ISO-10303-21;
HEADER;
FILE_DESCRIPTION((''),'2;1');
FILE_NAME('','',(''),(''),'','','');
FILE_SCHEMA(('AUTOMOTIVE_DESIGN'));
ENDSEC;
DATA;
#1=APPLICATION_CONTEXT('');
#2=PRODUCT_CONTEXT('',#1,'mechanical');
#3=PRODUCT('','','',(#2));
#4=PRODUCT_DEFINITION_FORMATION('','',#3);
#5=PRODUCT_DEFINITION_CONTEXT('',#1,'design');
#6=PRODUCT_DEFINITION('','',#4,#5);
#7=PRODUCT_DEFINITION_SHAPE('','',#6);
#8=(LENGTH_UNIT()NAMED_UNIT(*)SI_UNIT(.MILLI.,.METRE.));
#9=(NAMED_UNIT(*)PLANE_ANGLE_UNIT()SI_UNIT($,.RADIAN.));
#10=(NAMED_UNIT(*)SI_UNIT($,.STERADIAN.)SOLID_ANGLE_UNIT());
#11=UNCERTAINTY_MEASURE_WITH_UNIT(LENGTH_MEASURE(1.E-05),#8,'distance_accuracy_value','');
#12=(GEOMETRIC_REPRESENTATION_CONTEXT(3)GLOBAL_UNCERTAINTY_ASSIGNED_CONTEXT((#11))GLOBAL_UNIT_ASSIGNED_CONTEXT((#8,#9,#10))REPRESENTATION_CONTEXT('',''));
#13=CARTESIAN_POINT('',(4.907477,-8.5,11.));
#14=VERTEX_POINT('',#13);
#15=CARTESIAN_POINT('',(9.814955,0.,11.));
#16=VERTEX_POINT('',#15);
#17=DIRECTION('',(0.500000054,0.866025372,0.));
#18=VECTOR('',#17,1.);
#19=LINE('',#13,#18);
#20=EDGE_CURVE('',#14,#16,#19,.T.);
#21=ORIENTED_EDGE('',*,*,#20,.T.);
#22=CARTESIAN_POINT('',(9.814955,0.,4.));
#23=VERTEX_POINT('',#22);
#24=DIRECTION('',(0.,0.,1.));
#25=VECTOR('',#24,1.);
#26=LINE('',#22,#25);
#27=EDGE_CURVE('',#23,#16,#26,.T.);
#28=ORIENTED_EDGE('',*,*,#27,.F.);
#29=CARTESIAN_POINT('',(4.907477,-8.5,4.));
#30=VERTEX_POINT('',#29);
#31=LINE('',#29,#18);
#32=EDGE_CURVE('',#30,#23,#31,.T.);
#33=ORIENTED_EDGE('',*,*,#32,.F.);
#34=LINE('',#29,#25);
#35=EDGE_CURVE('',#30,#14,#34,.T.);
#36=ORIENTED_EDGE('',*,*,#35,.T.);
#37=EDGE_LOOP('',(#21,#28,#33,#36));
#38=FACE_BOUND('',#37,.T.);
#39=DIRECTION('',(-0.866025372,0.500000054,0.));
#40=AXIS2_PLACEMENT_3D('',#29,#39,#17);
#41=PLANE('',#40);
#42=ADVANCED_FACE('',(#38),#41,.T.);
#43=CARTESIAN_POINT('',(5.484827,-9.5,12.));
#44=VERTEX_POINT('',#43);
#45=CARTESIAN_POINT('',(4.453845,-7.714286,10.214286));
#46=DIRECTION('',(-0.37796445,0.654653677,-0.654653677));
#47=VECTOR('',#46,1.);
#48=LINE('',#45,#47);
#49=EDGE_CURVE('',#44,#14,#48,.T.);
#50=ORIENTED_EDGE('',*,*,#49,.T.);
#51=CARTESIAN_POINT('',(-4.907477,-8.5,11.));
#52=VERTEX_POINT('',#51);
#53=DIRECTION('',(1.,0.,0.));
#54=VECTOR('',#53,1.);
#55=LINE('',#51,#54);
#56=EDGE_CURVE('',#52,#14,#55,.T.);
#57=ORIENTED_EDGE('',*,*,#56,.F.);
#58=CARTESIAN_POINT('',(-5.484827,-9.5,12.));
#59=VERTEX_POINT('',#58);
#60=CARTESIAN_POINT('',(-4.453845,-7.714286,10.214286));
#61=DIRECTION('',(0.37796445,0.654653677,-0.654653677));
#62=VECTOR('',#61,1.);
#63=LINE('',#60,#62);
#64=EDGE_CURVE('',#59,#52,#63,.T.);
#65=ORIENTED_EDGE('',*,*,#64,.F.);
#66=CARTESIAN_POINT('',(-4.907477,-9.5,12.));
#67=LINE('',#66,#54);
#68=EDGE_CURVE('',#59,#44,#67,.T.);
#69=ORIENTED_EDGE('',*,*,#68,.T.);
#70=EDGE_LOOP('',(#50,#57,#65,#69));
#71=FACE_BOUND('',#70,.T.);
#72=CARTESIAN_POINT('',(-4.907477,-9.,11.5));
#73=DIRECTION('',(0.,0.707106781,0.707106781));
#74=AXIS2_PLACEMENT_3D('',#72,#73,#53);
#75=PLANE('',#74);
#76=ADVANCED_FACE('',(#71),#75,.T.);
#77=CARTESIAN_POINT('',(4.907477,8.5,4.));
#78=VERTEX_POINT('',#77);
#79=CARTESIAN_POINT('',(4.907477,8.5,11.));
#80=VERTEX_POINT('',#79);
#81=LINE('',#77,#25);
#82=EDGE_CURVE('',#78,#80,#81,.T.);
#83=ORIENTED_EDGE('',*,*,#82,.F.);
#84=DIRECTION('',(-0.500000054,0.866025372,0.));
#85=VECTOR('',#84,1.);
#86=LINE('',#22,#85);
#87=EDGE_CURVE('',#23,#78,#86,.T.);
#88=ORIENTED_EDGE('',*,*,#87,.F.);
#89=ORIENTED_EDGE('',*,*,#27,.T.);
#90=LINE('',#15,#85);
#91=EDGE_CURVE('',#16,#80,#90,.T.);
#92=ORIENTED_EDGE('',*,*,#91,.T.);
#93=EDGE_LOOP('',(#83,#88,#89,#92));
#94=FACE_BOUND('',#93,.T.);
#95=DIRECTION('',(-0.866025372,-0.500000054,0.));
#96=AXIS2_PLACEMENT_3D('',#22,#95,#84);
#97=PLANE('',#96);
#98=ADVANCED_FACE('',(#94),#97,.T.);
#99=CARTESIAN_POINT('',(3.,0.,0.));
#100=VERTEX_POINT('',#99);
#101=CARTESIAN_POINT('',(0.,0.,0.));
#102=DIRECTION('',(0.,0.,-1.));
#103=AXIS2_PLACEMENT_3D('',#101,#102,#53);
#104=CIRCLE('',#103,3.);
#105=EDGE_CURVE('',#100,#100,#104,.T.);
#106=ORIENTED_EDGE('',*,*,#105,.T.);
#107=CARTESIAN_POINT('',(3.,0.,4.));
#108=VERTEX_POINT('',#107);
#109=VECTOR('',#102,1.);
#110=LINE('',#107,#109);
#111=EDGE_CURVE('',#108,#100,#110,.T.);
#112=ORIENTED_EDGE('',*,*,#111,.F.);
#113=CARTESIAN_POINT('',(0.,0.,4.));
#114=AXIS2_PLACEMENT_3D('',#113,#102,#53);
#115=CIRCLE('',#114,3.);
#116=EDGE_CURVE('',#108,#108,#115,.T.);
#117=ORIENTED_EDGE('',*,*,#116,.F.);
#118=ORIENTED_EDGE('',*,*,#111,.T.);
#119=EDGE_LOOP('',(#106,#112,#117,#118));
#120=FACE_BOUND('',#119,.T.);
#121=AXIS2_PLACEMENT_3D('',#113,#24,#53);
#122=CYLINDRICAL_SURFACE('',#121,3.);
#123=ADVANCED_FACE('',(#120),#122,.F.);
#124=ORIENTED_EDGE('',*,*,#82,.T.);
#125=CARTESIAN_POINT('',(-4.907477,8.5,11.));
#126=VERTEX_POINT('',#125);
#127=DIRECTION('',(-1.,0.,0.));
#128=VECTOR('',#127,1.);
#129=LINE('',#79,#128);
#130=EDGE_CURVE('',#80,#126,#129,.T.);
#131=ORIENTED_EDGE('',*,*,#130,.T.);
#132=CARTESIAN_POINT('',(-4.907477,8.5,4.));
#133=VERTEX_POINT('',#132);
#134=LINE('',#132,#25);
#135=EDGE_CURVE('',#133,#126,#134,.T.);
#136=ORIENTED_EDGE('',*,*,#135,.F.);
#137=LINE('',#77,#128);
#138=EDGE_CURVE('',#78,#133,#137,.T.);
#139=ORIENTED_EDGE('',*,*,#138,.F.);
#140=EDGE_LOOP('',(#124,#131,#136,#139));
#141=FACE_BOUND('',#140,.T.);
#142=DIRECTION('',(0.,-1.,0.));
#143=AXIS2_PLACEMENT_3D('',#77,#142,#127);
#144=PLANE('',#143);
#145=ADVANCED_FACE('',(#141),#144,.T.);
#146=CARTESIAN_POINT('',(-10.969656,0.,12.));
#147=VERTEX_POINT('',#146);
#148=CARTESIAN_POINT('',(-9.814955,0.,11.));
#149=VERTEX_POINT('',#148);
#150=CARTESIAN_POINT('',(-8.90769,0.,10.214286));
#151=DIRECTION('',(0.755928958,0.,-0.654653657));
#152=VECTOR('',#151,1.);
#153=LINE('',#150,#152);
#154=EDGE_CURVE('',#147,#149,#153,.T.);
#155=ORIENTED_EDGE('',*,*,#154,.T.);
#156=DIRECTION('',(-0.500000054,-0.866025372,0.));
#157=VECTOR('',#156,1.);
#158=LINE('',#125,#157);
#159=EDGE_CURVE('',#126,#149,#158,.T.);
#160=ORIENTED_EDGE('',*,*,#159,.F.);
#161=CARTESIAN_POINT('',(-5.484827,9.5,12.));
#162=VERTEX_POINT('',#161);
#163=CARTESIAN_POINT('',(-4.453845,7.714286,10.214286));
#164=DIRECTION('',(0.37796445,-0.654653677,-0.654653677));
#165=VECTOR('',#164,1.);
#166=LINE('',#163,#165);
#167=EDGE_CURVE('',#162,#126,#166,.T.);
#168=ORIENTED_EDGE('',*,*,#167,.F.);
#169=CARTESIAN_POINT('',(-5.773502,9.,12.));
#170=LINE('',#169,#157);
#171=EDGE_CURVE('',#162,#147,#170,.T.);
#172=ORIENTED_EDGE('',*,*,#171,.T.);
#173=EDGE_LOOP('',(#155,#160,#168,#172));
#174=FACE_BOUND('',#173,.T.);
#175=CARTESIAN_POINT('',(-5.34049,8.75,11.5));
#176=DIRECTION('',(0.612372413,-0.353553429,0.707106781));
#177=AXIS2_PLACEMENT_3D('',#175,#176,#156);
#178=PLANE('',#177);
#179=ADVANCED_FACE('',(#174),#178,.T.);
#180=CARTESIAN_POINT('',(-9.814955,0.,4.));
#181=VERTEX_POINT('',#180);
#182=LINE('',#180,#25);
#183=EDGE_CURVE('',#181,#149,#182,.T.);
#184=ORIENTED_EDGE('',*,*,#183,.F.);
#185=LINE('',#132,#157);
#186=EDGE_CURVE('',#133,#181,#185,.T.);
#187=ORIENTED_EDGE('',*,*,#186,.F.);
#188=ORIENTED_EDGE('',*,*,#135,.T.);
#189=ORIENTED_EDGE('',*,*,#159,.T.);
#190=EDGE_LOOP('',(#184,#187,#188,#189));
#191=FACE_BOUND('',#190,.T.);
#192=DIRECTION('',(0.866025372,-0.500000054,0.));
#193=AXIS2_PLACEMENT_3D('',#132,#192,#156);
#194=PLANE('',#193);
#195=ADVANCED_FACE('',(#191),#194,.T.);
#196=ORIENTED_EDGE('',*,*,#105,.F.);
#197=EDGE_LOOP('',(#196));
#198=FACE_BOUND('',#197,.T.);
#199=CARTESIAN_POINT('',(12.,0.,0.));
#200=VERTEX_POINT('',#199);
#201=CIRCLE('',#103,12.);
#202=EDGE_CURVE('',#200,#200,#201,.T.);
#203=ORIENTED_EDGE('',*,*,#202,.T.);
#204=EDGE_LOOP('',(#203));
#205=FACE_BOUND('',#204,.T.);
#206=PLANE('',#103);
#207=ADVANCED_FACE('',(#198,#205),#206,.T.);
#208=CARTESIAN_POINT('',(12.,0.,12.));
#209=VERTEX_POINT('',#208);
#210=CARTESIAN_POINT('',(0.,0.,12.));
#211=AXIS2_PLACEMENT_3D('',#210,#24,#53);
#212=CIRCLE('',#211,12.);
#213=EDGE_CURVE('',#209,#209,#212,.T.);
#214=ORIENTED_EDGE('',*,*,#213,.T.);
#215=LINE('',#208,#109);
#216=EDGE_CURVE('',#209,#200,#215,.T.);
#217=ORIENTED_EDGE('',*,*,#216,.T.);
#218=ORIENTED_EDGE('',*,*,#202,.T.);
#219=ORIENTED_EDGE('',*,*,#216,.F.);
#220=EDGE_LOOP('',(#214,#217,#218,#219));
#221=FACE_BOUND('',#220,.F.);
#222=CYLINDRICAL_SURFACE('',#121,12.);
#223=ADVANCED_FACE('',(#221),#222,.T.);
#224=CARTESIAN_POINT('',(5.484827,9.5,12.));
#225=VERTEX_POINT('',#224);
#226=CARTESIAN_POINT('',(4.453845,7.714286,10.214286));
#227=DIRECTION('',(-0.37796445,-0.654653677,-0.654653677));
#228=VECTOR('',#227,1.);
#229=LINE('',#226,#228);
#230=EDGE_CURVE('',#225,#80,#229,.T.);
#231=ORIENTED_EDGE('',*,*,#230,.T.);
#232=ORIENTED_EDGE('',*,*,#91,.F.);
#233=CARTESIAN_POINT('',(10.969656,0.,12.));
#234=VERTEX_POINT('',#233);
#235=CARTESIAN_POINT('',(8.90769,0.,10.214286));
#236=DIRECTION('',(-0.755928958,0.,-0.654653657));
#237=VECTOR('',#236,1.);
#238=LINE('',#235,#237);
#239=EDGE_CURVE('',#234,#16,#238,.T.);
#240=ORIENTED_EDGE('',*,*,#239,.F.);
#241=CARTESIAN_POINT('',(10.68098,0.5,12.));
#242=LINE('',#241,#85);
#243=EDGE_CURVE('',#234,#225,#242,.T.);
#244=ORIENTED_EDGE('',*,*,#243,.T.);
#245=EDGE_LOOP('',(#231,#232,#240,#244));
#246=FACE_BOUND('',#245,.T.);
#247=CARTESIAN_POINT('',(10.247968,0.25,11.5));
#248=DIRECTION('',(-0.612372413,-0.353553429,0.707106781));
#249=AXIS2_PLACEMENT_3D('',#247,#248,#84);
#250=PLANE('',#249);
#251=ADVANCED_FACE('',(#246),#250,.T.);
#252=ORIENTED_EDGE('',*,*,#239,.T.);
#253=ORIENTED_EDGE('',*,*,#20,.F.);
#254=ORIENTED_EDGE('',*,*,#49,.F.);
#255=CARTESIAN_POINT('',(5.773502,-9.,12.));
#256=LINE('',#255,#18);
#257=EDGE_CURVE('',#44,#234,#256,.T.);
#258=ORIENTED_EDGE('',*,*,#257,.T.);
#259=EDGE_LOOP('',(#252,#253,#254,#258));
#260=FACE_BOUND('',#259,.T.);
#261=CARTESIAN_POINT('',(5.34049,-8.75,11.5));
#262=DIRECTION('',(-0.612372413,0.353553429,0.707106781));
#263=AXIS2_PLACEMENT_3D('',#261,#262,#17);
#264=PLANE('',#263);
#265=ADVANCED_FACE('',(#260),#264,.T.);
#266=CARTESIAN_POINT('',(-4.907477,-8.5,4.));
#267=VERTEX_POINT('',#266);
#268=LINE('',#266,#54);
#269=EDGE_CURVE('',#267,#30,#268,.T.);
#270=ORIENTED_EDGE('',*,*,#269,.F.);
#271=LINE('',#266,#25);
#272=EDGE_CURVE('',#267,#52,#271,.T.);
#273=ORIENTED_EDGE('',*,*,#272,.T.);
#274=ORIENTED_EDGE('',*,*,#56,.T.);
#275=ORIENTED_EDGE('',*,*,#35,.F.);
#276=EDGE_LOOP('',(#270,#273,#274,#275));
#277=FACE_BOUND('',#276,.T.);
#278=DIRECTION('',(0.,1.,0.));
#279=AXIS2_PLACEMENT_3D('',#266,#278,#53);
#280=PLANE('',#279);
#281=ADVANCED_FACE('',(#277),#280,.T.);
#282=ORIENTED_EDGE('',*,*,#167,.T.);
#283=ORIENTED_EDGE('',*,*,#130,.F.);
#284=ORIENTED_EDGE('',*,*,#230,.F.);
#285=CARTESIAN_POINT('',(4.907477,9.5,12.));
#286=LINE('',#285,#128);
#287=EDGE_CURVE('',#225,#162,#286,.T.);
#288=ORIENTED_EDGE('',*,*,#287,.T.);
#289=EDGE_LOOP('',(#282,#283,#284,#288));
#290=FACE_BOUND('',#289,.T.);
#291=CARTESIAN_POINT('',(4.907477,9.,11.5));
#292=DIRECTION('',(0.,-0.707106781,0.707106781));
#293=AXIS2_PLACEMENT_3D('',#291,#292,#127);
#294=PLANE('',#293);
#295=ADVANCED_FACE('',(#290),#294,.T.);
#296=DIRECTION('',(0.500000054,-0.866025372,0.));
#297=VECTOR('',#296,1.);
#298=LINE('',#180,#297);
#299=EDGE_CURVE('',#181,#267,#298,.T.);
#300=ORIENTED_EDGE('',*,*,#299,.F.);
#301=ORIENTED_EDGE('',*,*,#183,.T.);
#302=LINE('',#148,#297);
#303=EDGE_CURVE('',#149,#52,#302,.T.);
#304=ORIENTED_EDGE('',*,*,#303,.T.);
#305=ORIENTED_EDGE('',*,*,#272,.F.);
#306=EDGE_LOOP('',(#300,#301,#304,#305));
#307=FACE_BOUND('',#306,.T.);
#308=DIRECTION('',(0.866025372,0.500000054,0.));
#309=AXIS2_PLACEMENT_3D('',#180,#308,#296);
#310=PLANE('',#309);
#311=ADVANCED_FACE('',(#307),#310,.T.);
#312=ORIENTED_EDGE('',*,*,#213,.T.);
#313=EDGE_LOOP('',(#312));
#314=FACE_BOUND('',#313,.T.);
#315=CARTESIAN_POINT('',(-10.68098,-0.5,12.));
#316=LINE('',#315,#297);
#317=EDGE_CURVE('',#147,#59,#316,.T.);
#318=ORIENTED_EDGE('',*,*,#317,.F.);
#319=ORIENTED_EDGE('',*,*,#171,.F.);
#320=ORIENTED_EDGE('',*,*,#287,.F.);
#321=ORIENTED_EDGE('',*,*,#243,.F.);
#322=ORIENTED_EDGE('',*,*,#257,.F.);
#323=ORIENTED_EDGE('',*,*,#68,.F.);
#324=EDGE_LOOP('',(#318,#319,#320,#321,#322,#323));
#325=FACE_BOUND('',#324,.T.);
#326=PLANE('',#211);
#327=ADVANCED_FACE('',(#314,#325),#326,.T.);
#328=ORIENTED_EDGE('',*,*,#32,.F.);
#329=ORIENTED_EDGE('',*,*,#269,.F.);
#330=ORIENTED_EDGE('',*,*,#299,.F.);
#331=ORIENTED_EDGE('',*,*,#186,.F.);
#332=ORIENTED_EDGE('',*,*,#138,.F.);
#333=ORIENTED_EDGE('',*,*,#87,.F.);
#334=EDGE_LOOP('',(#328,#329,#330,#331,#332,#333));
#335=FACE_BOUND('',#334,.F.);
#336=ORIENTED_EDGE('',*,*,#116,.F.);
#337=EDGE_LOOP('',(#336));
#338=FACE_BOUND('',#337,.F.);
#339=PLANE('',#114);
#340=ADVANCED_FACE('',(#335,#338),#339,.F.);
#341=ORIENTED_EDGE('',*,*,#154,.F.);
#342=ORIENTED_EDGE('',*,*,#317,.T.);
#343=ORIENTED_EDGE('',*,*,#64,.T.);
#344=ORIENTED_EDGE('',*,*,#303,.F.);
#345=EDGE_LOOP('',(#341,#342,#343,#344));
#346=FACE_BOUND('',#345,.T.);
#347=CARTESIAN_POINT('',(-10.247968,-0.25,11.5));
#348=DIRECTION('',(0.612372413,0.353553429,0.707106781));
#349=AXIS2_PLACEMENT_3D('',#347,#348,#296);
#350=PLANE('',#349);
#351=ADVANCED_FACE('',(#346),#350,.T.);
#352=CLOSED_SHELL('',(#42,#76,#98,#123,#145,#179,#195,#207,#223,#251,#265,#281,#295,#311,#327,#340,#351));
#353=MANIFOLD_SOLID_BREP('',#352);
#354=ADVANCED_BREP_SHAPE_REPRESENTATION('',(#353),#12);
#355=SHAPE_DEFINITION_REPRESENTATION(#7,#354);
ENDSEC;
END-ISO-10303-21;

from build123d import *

# Parameters (mm, degrees)
SKETCH001_R  = 12
PAD001_DEPTH = 8
SKETCH_R     = 12
SKETCH_R_2   = 3
PAD_DEPTH    = 4
CHAMFER_SIZE = 1


with BuildPart() as part:
    # Sketch001 → Pad001 (new body)
    with BuildSketch(Plane.XY.offset(4)):
        Circle(SKETCH001_R)
        Polygon((4.907477, -8.5), (9.814955, 0), (4.907477, 8.5), (-4.907477, 8.5), (-9.814955, 0), (-4.907477, -8.5), align=None, mode=Mode.SUBTRACT)
    extrude(amount=PAD001_DEPTH)

    # Sketch (on Face8 of Pad001) → Pad (join)
    with BuildSketch(Plane(origin=(0, 0, 4), x_dir=(1, 0, 0), z_dir=(0, 0, -1))):
        Circle(SKETCH_R)
        Circle(SKETCH_R_2, mode=Mode.SUBTRACT)
    extrude(amount=PAD_DEPTH)

    # Chamfer
    chamfer_edges = [part.edges().sort_by_distance(p)[0] for p in [
        (-7.361216, -4.25, 12),
        (-7.361216, 4.25, 12),
        (0, 8.5, 12),
        (7.361216, 4.25, 12),
        (0, -8.5, 12),
        (7.361216, -4.25, 12),
    ]]
    chamfer(chamfer_edges, length=CHAMFER_SIZE)


solid = part.part
